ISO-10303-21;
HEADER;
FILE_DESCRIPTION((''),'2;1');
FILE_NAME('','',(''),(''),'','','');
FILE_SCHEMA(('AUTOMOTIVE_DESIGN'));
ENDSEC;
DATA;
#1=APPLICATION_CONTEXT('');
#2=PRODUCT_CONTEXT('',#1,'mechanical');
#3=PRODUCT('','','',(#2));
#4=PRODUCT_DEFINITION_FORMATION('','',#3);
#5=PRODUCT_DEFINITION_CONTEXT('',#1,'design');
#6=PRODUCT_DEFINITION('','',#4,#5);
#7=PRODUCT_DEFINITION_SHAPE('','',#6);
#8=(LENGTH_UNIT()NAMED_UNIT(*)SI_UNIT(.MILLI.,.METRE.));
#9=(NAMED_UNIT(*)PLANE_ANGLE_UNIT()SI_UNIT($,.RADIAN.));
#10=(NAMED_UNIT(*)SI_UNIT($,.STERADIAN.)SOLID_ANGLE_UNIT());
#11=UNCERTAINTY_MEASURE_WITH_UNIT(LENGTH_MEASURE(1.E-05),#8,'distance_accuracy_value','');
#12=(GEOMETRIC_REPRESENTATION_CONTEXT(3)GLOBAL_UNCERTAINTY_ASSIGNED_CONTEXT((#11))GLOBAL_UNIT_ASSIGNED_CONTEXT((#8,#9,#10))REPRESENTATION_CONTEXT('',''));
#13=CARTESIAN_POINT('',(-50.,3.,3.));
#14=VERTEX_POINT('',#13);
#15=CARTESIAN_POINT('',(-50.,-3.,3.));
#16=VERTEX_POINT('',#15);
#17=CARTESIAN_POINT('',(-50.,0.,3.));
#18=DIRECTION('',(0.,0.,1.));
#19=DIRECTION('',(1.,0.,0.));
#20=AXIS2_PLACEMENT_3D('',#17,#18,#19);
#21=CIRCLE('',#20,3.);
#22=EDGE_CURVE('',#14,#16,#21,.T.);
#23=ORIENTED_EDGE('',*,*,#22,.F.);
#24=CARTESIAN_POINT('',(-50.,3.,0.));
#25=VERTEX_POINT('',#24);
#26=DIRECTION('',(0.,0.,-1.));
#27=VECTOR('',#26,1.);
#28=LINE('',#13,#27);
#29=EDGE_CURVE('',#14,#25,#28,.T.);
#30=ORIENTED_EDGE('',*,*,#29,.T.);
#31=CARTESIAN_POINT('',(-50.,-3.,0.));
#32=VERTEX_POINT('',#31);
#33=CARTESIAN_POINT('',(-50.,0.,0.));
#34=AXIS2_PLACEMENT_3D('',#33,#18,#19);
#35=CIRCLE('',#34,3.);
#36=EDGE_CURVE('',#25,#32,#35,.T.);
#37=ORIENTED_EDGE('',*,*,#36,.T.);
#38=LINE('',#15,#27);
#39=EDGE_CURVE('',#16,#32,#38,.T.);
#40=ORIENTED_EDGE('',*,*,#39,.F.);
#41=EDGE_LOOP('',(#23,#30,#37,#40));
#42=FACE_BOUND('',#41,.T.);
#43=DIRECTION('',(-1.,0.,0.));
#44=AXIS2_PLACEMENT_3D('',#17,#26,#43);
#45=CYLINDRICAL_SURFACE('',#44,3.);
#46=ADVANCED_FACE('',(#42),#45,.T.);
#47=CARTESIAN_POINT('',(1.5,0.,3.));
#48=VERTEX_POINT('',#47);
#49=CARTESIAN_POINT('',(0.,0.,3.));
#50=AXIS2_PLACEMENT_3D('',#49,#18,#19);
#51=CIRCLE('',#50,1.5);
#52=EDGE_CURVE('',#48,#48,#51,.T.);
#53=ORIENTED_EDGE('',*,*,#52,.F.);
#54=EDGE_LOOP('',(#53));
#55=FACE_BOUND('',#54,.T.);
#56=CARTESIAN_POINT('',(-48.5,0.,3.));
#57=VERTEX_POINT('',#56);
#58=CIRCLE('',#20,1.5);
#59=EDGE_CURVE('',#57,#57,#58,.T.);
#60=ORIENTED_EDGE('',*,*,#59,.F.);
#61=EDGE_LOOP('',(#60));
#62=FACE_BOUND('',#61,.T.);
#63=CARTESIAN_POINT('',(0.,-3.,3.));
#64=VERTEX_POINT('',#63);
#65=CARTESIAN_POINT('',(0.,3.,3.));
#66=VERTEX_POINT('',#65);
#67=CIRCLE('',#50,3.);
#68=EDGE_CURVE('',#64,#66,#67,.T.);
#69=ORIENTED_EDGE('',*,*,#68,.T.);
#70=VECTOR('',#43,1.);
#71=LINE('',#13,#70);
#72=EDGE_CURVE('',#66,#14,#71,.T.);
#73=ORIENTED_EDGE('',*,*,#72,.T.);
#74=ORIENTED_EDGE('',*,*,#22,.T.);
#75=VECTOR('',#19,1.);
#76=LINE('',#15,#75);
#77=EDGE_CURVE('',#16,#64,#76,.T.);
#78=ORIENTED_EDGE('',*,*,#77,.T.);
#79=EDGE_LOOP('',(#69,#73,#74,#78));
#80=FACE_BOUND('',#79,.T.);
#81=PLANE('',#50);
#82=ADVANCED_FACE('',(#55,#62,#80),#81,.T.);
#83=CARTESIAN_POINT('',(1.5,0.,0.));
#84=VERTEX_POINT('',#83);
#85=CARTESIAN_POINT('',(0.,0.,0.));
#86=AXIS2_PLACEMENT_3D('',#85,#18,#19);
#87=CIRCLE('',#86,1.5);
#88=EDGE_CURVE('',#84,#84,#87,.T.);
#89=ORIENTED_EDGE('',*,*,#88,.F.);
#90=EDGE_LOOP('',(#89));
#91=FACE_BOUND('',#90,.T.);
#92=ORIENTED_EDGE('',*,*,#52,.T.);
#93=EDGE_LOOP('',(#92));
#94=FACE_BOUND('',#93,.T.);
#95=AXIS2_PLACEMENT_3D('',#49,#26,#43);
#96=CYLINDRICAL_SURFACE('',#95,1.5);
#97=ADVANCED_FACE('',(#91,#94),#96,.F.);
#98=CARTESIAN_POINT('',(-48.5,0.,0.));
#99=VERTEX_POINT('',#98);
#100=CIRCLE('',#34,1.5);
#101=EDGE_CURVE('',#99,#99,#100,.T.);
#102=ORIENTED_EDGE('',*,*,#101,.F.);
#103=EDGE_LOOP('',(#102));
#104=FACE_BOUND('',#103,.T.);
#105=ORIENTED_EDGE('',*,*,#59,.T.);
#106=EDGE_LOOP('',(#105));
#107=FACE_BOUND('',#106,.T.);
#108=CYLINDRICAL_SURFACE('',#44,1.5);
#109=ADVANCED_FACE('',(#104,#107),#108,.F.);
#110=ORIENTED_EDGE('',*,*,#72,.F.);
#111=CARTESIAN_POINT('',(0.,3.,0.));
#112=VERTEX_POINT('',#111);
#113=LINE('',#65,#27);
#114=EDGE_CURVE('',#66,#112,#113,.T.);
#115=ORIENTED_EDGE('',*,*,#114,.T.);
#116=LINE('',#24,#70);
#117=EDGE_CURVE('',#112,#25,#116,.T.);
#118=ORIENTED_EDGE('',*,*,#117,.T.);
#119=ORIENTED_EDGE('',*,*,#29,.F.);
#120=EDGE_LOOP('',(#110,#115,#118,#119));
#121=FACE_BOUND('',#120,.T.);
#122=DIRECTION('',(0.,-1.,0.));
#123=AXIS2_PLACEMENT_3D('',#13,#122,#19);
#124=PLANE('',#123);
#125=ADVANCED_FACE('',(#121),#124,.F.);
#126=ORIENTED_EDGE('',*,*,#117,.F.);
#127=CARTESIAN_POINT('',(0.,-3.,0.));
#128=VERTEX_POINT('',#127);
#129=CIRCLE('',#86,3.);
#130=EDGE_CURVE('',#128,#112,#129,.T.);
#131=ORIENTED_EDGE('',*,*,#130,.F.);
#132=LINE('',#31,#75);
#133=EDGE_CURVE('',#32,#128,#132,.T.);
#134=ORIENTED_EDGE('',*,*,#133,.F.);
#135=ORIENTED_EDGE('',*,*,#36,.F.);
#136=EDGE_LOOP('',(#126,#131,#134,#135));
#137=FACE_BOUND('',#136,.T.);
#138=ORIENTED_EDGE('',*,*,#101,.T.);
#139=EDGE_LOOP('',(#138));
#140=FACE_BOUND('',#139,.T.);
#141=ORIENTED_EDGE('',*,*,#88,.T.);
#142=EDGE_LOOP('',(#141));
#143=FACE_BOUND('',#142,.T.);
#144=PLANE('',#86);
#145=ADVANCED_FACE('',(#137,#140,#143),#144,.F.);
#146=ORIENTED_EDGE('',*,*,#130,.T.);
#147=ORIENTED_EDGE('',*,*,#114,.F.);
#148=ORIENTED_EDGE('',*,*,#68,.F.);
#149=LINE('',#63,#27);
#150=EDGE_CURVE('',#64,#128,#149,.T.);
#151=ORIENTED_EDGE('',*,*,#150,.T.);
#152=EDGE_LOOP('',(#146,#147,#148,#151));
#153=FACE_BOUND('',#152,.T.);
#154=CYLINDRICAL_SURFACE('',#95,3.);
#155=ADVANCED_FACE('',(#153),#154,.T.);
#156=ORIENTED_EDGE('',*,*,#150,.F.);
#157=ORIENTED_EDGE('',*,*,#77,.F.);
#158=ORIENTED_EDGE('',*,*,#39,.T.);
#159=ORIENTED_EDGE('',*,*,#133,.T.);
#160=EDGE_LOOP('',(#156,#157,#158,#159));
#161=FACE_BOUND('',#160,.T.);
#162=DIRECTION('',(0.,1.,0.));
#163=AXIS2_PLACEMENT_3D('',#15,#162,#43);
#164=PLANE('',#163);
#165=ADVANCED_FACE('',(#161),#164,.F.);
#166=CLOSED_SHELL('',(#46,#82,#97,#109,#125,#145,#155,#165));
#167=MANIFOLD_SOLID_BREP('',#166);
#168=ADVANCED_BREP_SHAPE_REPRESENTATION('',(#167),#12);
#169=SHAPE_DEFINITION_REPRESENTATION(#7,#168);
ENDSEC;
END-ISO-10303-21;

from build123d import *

# Parameters (mm, degrees)
SKETCH2_R           = 1.5
BOSS_EXTRUDE1_DEPTH = 3


with BuildPart() as part:
    # Sketch2 → Boss-Extrude1 (new body)
    with BuildSketch(Plane.XY):
        with BuildLine():
            Line((-50, 3), (0, 3))
            ThreePointArc((0, 3), (3, 0), (0, -3))
            Line((0, -3), (-50, -3))
            ThreePointArc((-50, -3), (-53, 0), (-50, 3))
        make_face()
        with Locations((-50, 0)):
            Circle(SKETCH2_R, mode=Mode.SUBTRACT)
        Circle(SKETCH2_R, mode=Mode.SUBTRACT)
    extrude(amount=BOSS_EXTRUDE1_DEPTH)


solid = part.part
